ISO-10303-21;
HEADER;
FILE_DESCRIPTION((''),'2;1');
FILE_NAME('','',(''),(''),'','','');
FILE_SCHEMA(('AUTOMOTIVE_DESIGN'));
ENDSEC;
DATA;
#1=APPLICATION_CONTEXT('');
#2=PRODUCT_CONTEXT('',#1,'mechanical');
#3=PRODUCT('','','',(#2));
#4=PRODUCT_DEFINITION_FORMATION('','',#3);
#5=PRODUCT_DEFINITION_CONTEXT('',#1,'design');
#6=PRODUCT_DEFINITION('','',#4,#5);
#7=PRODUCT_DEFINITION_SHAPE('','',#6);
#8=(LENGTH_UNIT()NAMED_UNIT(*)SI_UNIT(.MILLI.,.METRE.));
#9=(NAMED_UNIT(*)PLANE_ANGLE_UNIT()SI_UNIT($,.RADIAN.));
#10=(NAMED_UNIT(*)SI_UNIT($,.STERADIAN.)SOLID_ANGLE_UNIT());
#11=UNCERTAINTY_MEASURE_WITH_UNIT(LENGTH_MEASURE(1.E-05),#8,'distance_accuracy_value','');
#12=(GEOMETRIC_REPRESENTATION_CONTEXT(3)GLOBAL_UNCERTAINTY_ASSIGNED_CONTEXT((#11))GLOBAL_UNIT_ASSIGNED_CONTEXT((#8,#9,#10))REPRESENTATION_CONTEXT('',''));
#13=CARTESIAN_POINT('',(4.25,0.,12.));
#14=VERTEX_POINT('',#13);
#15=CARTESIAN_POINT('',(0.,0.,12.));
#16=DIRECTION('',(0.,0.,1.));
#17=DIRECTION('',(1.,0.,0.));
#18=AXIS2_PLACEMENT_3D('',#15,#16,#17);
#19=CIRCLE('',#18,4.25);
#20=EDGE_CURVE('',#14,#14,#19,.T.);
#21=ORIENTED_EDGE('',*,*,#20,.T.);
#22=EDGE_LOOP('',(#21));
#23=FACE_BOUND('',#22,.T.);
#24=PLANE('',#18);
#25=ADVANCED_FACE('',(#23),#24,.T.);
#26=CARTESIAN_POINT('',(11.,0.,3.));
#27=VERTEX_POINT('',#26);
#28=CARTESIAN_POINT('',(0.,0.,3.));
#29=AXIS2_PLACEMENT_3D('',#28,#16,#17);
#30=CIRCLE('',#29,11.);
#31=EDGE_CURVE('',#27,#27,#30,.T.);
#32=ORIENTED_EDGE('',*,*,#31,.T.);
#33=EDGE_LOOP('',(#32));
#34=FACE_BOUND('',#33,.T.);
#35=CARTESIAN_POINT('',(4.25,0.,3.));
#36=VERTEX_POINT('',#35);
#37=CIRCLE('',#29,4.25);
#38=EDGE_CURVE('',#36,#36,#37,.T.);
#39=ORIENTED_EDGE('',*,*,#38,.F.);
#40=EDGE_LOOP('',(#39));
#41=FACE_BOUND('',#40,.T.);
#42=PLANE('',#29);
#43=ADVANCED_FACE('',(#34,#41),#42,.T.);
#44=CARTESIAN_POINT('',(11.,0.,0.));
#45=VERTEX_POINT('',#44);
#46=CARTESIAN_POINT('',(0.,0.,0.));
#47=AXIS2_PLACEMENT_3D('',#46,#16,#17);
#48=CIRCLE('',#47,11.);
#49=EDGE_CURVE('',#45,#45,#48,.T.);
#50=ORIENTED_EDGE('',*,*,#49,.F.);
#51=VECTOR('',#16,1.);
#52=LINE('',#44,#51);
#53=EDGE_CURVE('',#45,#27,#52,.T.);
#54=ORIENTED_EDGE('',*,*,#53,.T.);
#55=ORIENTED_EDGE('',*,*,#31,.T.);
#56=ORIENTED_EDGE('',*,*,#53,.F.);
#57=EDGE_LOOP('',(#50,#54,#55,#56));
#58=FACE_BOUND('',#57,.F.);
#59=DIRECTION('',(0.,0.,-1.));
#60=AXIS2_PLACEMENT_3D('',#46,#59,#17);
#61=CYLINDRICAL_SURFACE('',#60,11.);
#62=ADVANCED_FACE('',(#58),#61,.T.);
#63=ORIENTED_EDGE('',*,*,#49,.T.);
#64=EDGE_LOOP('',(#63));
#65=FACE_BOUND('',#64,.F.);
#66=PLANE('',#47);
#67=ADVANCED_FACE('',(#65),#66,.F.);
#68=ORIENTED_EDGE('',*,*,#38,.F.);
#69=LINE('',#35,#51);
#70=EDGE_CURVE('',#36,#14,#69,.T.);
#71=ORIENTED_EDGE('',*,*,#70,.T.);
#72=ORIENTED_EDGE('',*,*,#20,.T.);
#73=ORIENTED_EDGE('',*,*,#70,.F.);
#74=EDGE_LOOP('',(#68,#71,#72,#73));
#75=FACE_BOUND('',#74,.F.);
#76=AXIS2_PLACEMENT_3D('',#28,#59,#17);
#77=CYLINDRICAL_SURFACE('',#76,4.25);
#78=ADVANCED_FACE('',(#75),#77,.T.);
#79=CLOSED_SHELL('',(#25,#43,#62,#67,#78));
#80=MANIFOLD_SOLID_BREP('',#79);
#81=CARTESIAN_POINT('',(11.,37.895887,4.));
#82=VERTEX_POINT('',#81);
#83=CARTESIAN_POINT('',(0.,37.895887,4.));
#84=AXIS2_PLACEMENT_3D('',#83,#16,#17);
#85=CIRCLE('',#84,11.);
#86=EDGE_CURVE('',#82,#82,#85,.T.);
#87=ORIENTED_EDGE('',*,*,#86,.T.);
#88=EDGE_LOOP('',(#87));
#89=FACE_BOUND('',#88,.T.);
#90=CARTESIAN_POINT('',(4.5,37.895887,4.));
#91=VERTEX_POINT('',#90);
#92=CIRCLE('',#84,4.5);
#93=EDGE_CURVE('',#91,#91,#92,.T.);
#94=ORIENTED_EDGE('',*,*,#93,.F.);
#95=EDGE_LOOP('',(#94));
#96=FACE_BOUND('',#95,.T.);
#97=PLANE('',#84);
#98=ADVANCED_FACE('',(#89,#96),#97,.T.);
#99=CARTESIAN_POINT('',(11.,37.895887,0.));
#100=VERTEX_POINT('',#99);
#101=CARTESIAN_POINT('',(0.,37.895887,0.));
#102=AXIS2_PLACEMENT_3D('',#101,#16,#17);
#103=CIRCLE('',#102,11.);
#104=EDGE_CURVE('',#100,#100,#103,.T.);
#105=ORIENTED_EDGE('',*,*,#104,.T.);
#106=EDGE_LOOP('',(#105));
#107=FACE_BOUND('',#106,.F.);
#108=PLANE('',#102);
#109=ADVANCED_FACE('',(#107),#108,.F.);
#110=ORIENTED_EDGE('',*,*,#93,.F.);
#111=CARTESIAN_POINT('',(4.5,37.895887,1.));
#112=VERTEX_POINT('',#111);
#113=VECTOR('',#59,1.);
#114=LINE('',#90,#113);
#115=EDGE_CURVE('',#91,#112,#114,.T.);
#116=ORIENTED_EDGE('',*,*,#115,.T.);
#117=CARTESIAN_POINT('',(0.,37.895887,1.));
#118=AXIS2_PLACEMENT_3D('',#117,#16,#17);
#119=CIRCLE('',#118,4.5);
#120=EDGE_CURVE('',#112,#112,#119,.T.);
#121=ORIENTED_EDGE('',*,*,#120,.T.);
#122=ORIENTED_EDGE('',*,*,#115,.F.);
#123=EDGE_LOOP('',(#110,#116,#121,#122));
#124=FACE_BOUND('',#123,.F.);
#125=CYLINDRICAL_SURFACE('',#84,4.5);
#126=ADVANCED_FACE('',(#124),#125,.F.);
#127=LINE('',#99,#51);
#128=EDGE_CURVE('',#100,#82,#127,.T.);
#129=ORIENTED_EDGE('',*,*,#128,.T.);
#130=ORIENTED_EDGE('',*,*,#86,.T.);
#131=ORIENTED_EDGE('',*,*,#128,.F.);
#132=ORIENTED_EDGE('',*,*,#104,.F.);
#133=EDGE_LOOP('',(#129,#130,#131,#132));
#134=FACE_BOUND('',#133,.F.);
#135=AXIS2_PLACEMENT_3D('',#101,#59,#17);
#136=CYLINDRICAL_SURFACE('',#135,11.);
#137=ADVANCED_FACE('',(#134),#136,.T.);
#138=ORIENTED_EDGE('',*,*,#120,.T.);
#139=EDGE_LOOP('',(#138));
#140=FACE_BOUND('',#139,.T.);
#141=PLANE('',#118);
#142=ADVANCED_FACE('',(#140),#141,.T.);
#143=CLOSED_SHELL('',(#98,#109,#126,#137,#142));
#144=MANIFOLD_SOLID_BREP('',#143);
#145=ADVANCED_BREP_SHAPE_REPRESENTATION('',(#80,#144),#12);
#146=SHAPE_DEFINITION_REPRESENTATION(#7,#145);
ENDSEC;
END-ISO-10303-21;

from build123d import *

# Parameters (mm, degrees)
F0_R     = 11
F1_DEPTH = 3
F2_R     = 4.25
F3_DEPTH = 9
F4_R     = 11
F5_DEPTH = 4
F6_R     = 4.5
F7_DEPTH = 3


with BuildPart() as f1:
    # F0 (on Top) → F1 (new body)
    with BuildSketch(Plane.XY):
        Circle(F0_R)
    extrude(amount=F1_DEPTH)

    # F2 (on face) → F3 (join)
    with BuildSketch(Plane.XY.offset(3)):
        Circle(F2_R)
    extrude(amount=F3_DEPTH)


with BuildPart() as f5:
    # F4 (on Top) → F5 (new body)
    with BuildSketch(Plane.XY):
        with Locations((0, 37.895887)):
            Circle(F4_R)
    extrude(amount=F5_DEPTH)

    # F6 (on face) → F7 (cut)
    with BuildSketch(Plane.XY.offset(4)):
        with Locations((0, 37.895887)):
            Circle(F6_R)
    extrude(amount=-F7_DEPTH, mode=Mode.SUBTRACT)


solid = Compound([f1.part, f5.part])
